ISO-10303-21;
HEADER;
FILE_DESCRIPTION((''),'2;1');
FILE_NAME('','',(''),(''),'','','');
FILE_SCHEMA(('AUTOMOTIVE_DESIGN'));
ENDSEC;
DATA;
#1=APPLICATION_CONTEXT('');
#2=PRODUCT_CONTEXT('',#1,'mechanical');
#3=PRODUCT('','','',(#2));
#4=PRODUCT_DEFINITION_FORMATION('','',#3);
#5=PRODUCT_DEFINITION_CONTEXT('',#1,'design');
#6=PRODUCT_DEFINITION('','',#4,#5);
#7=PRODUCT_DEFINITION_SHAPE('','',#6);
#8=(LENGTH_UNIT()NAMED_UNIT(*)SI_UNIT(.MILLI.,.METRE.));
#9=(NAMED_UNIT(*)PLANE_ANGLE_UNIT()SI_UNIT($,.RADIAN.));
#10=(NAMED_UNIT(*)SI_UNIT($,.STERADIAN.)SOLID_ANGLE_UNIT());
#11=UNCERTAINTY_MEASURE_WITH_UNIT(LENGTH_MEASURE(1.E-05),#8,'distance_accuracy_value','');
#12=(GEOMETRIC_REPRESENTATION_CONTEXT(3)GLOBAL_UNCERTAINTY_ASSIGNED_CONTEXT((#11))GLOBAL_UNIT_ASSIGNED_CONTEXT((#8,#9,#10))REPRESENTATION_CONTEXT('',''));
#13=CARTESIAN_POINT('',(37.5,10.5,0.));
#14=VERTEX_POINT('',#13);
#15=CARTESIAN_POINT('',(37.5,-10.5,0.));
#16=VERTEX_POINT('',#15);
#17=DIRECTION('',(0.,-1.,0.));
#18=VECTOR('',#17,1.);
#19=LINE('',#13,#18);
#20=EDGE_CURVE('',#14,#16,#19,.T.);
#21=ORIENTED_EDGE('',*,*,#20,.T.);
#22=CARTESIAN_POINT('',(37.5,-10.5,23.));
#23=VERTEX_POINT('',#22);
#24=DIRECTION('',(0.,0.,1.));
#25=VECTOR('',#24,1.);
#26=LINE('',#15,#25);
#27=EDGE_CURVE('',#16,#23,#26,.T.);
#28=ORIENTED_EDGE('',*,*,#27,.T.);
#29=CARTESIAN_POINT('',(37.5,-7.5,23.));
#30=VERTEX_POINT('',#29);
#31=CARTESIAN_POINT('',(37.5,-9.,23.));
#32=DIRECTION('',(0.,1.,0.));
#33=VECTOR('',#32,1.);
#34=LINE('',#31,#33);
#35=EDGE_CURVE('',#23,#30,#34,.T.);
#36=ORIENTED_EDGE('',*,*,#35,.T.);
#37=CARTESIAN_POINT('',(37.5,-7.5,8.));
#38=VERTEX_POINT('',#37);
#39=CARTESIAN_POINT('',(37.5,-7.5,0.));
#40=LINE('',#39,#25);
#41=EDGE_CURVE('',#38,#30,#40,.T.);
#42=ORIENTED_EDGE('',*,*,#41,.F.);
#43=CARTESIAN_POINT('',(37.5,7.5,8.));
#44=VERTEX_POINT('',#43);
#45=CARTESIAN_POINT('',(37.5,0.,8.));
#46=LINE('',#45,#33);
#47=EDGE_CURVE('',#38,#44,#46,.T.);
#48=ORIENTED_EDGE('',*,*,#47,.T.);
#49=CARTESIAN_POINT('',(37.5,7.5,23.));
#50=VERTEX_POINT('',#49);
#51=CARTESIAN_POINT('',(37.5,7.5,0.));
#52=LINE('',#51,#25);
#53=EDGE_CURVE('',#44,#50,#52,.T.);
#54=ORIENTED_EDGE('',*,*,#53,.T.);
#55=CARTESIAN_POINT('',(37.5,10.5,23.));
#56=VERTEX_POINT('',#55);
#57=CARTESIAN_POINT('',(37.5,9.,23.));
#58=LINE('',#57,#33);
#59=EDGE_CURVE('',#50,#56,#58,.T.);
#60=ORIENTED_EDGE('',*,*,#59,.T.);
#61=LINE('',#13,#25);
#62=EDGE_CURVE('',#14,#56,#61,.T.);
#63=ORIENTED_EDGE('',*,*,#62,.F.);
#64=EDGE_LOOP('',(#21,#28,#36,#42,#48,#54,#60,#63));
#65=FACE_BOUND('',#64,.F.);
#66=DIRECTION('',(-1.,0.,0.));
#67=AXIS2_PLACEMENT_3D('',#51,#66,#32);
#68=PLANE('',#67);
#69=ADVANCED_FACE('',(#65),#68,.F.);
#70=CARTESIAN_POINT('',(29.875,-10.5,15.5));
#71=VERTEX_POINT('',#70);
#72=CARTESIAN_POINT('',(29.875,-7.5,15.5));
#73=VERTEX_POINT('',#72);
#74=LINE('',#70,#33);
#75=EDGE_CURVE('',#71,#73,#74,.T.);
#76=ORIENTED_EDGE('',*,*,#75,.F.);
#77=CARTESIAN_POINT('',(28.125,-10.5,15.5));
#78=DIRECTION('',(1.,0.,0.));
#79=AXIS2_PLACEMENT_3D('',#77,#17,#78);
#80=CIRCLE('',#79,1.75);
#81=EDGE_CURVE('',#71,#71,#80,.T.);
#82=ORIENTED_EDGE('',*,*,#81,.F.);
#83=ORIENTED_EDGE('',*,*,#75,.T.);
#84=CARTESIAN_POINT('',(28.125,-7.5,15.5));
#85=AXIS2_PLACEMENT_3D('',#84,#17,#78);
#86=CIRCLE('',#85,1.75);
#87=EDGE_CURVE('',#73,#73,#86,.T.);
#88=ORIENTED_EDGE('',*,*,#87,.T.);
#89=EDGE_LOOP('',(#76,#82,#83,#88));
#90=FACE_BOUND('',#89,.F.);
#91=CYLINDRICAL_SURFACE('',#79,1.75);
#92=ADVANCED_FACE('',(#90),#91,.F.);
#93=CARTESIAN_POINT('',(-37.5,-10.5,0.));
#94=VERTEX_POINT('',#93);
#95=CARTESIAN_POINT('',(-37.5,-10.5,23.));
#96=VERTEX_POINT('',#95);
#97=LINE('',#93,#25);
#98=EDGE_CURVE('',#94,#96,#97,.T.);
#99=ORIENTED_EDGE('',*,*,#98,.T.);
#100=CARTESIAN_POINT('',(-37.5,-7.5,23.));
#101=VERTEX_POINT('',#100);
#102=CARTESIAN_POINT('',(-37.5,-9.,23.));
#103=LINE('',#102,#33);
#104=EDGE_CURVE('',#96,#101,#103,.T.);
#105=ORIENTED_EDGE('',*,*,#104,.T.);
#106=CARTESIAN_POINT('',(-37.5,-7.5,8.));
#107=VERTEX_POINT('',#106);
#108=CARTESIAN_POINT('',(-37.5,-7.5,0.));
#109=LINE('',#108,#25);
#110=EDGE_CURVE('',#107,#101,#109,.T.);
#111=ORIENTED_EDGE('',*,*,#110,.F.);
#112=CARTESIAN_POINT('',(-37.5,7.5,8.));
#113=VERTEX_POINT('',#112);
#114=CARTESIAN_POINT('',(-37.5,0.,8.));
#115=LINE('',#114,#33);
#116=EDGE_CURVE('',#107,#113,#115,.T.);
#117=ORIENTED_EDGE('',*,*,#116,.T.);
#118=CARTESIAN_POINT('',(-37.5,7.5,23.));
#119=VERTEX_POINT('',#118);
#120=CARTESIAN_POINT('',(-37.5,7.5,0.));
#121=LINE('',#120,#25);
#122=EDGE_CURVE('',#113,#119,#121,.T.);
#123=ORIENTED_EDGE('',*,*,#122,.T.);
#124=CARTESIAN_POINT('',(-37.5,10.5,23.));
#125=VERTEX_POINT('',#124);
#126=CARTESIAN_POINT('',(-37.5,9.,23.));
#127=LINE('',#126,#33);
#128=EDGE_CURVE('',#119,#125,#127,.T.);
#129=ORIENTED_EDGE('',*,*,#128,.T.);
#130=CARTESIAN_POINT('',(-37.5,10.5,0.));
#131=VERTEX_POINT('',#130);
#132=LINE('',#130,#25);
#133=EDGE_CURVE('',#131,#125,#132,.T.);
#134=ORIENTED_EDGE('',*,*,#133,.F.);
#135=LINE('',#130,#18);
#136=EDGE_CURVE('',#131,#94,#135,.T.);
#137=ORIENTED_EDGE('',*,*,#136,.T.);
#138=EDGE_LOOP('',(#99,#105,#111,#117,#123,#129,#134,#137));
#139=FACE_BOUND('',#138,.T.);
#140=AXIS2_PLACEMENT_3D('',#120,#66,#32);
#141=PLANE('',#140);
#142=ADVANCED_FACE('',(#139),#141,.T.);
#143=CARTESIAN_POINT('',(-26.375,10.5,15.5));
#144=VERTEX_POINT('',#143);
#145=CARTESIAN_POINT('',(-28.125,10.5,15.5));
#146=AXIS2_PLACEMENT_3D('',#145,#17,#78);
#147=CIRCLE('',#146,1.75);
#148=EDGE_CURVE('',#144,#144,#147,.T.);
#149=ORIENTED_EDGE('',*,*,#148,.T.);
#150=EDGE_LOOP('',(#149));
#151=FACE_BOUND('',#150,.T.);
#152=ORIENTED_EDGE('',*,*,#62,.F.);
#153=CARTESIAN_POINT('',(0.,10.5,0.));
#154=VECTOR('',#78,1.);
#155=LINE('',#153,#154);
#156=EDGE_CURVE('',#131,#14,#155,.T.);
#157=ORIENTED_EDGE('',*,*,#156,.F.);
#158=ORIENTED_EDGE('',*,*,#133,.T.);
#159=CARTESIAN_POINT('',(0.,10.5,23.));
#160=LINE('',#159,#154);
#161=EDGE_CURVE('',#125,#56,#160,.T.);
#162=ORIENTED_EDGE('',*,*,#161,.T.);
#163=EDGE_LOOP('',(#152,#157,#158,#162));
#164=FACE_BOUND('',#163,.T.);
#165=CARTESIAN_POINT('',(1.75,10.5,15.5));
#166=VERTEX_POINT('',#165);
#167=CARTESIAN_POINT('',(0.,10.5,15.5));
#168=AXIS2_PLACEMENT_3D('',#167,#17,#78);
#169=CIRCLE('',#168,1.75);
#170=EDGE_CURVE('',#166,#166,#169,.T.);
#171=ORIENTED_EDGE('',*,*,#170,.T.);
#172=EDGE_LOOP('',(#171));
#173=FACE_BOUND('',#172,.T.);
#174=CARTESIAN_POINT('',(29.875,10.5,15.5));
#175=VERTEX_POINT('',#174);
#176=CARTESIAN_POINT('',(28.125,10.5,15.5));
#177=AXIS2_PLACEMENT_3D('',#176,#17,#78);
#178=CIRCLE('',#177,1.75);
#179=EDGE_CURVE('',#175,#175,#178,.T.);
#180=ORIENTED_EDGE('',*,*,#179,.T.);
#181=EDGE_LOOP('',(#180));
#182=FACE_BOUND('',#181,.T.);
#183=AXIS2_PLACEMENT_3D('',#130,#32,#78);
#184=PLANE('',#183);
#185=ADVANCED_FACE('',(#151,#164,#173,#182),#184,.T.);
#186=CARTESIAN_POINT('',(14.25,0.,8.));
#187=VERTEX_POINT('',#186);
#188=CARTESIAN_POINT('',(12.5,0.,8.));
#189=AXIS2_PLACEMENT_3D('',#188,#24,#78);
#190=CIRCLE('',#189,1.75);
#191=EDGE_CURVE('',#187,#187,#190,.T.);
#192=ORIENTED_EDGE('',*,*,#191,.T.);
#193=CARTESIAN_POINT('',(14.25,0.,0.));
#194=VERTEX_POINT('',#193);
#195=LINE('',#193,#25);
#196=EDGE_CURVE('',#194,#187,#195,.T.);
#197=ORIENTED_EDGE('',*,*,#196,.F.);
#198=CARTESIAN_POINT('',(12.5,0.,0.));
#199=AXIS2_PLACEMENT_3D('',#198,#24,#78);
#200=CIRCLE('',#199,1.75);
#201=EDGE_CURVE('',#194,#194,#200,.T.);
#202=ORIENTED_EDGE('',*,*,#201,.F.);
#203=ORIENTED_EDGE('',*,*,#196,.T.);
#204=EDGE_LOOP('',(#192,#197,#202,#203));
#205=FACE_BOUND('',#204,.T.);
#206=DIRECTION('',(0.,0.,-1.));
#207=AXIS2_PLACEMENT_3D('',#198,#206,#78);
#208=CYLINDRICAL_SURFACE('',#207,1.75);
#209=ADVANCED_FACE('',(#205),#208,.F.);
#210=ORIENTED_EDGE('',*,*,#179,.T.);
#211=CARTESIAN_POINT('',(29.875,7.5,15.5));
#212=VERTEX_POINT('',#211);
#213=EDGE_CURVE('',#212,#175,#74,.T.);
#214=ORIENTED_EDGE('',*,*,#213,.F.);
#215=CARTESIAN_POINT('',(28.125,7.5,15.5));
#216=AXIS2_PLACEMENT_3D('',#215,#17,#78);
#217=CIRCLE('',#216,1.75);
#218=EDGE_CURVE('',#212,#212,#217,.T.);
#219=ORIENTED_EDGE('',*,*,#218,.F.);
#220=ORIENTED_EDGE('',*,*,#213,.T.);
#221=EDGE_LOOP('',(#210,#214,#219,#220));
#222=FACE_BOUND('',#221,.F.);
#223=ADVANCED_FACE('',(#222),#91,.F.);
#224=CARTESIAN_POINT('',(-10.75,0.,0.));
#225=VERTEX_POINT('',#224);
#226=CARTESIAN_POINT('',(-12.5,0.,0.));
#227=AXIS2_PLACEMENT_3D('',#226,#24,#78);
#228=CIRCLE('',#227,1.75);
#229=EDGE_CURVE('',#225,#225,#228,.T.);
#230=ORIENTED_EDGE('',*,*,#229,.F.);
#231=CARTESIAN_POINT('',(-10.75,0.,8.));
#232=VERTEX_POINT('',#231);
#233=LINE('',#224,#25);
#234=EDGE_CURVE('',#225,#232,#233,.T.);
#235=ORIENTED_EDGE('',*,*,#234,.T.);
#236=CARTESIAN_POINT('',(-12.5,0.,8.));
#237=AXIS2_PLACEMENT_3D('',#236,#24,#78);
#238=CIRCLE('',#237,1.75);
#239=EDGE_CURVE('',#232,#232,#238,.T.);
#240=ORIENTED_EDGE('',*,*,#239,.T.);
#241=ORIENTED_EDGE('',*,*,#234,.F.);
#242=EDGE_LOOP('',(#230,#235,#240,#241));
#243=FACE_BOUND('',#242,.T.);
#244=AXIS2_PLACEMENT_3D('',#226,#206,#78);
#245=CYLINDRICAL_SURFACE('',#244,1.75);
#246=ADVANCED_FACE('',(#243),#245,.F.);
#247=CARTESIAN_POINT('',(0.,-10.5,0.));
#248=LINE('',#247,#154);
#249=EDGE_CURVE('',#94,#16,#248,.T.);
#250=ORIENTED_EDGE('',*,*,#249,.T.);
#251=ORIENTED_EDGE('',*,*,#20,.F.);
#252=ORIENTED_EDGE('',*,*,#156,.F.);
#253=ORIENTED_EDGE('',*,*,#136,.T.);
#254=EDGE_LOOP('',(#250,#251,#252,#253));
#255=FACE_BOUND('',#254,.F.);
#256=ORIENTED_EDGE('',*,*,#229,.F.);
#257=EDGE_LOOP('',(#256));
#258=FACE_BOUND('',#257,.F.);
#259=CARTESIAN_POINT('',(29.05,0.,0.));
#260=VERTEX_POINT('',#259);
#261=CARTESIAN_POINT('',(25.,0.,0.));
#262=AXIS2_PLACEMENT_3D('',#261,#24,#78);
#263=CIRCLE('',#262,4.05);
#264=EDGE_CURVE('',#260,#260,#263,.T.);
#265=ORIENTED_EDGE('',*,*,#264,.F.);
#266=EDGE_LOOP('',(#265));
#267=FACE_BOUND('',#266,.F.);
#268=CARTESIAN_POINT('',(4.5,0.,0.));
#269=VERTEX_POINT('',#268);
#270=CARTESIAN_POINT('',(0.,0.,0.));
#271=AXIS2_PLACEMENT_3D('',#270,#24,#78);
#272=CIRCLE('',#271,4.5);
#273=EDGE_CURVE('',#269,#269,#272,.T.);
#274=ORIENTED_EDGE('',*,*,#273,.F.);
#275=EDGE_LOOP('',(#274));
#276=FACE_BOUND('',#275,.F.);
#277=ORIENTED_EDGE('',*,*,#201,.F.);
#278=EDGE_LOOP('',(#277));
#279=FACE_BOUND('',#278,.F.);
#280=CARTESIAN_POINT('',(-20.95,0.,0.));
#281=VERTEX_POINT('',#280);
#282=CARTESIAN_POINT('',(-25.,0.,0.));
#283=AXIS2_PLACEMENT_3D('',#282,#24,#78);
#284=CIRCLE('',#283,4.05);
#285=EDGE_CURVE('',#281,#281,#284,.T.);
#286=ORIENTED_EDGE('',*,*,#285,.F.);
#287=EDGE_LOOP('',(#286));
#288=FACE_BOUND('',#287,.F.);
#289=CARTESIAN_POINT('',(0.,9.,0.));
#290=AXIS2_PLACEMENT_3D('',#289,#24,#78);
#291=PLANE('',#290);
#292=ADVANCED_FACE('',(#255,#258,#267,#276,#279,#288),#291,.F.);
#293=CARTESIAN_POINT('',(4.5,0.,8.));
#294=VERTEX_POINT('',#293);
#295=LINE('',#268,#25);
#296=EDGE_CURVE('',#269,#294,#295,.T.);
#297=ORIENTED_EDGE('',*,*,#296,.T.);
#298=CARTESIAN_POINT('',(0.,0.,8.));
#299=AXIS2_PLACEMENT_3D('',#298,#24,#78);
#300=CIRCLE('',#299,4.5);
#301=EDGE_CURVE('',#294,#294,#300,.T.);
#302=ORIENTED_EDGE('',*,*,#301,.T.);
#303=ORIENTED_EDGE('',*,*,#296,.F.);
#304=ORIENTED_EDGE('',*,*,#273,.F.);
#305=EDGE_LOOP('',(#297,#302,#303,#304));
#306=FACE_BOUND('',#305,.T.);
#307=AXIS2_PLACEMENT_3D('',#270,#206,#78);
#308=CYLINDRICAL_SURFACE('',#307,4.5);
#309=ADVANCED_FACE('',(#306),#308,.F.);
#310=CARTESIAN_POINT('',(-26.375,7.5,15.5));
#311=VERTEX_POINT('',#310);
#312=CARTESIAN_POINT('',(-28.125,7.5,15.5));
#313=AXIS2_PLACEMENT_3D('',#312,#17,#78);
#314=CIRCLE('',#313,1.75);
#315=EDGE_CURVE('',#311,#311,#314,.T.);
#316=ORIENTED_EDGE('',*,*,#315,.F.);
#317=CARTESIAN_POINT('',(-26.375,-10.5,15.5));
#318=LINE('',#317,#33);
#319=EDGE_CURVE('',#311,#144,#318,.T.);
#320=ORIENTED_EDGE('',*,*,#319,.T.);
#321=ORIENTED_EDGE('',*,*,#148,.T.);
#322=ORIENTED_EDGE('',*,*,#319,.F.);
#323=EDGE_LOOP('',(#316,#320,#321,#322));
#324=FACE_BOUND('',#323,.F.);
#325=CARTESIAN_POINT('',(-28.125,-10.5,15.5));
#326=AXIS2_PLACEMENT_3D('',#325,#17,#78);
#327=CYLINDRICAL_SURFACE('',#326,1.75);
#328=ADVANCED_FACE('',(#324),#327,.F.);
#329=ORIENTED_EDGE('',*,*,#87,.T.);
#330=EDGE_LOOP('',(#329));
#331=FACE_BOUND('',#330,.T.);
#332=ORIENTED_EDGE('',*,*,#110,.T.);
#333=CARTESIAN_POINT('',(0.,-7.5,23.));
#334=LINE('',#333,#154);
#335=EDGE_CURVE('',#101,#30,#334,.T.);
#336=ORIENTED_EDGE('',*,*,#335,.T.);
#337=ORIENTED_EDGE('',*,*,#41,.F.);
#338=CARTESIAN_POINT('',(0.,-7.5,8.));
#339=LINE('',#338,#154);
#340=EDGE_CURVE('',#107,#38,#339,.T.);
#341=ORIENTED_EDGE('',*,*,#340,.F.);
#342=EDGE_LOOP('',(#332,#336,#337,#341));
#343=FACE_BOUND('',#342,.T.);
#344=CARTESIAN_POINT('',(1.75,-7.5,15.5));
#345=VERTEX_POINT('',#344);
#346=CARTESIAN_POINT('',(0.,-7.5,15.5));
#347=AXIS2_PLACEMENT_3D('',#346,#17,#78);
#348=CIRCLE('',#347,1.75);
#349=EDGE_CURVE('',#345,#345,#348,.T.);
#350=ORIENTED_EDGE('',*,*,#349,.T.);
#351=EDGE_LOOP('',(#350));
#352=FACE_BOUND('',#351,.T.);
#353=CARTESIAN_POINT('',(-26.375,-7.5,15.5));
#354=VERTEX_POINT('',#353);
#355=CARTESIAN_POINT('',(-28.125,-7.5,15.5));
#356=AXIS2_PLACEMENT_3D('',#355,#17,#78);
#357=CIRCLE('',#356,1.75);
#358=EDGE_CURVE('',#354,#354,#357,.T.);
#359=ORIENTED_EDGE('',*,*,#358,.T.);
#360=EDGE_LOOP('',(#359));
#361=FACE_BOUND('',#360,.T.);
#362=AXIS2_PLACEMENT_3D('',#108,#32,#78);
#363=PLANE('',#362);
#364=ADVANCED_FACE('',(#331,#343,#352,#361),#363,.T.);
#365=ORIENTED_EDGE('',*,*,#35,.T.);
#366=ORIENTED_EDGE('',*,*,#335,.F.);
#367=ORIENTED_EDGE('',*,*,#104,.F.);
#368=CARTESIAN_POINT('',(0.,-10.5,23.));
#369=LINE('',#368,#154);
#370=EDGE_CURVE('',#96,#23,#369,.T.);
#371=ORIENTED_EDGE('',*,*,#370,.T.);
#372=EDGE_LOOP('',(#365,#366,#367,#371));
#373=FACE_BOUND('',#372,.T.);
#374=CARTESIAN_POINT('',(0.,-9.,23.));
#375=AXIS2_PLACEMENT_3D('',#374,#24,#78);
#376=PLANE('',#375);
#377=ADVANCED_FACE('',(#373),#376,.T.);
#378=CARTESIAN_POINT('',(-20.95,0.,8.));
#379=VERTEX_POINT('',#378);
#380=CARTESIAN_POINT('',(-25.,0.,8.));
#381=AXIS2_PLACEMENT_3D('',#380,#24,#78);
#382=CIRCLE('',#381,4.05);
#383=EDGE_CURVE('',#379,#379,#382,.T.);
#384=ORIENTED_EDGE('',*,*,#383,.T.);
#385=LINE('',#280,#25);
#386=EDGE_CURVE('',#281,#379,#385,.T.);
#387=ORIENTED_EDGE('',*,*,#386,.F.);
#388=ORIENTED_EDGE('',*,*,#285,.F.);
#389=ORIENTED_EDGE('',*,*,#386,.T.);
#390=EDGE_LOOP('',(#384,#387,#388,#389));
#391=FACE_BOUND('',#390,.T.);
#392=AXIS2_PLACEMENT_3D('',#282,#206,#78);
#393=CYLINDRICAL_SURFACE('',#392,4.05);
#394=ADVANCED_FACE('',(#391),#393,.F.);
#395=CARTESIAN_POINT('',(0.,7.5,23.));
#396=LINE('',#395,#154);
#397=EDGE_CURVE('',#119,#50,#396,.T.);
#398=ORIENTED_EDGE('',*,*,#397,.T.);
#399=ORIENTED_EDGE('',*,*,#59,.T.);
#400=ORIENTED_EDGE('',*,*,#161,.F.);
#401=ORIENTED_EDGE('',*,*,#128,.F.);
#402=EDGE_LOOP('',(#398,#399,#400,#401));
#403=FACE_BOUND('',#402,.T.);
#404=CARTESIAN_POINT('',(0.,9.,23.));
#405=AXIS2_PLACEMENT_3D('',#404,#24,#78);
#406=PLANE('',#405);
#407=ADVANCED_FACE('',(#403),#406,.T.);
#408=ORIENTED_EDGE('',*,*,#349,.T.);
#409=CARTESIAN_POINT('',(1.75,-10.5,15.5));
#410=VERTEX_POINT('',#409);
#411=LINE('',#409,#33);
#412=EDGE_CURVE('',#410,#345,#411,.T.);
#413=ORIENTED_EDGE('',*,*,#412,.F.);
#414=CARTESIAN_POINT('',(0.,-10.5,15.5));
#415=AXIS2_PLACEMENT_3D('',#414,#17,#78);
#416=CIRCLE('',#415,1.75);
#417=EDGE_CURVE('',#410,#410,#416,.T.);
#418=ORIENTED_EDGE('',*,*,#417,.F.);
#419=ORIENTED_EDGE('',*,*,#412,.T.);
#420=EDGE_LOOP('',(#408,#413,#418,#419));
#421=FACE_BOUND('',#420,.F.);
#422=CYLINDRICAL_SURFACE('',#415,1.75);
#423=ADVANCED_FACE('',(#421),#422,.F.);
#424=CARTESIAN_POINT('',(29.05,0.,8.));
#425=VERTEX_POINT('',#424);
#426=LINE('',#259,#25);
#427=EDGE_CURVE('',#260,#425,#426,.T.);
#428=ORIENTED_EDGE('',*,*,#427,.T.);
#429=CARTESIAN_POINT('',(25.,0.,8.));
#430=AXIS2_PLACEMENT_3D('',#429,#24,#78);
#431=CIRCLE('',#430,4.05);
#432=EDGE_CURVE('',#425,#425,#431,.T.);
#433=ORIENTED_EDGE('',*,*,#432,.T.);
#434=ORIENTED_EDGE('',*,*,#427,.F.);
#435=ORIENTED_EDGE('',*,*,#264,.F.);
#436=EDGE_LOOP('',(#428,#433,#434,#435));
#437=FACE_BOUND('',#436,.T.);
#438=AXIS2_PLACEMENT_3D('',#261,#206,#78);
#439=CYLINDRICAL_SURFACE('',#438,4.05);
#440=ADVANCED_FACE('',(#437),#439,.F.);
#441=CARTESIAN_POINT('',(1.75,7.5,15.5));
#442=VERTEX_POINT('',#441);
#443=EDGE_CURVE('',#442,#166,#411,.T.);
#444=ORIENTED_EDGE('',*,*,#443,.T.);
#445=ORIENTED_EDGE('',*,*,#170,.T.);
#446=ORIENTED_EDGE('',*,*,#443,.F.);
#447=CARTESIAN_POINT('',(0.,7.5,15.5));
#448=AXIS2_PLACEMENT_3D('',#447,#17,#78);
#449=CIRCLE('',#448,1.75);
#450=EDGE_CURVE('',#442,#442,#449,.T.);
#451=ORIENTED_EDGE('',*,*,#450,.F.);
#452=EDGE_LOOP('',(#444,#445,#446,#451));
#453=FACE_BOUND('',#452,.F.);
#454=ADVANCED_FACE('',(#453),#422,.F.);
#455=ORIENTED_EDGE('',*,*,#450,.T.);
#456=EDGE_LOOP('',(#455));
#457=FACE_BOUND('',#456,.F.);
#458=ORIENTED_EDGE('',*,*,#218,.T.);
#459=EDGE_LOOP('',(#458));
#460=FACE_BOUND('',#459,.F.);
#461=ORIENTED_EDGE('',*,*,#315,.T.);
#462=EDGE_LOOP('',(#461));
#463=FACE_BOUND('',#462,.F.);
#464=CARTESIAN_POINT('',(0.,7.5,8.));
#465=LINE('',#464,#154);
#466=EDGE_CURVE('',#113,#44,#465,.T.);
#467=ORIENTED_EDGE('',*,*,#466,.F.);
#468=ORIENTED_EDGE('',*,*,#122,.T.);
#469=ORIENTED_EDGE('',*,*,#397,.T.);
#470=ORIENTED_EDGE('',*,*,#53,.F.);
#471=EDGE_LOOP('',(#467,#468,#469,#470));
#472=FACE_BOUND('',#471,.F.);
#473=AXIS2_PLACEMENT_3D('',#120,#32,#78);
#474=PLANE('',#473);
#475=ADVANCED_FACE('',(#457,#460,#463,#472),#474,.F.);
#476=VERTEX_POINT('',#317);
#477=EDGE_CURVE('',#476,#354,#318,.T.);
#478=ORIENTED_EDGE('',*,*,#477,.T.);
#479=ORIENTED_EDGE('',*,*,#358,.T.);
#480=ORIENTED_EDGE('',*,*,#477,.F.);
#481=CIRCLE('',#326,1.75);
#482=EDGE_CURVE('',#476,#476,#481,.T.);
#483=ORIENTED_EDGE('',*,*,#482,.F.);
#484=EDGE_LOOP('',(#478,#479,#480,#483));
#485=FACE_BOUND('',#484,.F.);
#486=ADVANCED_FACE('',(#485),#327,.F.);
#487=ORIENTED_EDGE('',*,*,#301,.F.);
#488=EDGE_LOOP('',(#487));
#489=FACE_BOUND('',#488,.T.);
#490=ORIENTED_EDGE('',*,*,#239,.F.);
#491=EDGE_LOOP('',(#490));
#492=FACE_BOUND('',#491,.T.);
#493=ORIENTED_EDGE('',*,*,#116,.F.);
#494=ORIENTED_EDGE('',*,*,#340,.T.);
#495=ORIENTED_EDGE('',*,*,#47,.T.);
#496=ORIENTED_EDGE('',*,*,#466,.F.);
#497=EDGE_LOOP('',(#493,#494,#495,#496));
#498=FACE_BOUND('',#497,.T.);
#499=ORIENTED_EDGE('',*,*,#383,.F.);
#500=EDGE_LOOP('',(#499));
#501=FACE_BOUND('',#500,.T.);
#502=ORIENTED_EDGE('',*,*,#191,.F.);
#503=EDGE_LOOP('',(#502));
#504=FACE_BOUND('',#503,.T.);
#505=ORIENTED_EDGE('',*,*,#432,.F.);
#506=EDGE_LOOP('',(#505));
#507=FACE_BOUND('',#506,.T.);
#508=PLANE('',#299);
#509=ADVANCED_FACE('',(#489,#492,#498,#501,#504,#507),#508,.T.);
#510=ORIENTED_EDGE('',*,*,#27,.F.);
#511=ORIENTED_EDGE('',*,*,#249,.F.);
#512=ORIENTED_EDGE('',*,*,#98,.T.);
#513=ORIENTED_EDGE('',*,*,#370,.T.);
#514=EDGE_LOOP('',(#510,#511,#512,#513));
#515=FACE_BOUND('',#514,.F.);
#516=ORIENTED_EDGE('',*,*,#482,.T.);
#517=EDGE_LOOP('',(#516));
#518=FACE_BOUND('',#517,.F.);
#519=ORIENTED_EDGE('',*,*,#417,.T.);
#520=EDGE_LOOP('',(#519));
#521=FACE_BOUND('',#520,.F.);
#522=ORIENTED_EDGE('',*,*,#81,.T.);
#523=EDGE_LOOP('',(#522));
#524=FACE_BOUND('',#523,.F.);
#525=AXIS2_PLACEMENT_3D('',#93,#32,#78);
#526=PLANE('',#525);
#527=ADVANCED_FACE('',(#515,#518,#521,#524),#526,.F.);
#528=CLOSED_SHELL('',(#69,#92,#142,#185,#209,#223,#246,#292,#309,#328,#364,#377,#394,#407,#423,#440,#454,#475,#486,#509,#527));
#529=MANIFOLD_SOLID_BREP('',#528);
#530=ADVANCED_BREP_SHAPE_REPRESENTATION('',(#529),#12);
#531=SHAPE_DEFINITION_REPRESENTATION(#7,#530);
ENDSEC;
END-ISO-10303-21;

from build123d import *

# Parameters (mm, degrees)
F0_W     = 75
F0_H     = 15
F0_R     = 4.05
F0_R_2   = 1.75
F0_R_3   = 4.5
F1_DEPTH = 8
F0_H_2   = 3
F2_DEPTH = 23
F3_R     = 1.75
F4_DEPTH = 25


with BuildPart() as f1:
    # F0 (on Top) → F1 (new body)
    with BuildSketch(Plane.XY):
        Rectangle(F0_W, F0_H)
        with Locations((-25, 0)):
            Circle(F0_R, mode=Mode.SUBTRACT)
        with Locations((-12.5, 0)):
            Circle(F0_R_2, mode=Mode.SUBTRACT)
        Circle(F0_R_3, mode=Mode.SUBTRACT)
        with Locations((12.5, 0)):
            Circle(F0_R_2, mode=Mode.SUBTRACT)
        with Locations((25, 0)):
            Circle(F0_R, mode=Mode.SUBTRACT)
    extrude(amount=F1_DEPTH)

    # F0 (on Top) → F2 (join)
    with BuildSketch(Plane.XY):
        with Locations((0, 9)):
            Rectangle(F0_W, F0_H_2)
        with Locations((0, -9)):
            Rectangle(F0_W, F0_H_2)
    extrude(amount=F2_DEPTH)

    # F3 (on face) → F4 (cut)
    with BuildSketch(Plane.XZ.offset(10.5)):
        with Locations((-28.125, 15.5)):
            Circle(F3_R)
        with Locations((0, 15.5)):
            Circle(F3_R)
        with Locations((28.125, 15.5)):
            Circle(F3_R)
    extrude(amount=-F4_DEPTH, mode=Mode.SUBTRACT)


solid = f1.part
